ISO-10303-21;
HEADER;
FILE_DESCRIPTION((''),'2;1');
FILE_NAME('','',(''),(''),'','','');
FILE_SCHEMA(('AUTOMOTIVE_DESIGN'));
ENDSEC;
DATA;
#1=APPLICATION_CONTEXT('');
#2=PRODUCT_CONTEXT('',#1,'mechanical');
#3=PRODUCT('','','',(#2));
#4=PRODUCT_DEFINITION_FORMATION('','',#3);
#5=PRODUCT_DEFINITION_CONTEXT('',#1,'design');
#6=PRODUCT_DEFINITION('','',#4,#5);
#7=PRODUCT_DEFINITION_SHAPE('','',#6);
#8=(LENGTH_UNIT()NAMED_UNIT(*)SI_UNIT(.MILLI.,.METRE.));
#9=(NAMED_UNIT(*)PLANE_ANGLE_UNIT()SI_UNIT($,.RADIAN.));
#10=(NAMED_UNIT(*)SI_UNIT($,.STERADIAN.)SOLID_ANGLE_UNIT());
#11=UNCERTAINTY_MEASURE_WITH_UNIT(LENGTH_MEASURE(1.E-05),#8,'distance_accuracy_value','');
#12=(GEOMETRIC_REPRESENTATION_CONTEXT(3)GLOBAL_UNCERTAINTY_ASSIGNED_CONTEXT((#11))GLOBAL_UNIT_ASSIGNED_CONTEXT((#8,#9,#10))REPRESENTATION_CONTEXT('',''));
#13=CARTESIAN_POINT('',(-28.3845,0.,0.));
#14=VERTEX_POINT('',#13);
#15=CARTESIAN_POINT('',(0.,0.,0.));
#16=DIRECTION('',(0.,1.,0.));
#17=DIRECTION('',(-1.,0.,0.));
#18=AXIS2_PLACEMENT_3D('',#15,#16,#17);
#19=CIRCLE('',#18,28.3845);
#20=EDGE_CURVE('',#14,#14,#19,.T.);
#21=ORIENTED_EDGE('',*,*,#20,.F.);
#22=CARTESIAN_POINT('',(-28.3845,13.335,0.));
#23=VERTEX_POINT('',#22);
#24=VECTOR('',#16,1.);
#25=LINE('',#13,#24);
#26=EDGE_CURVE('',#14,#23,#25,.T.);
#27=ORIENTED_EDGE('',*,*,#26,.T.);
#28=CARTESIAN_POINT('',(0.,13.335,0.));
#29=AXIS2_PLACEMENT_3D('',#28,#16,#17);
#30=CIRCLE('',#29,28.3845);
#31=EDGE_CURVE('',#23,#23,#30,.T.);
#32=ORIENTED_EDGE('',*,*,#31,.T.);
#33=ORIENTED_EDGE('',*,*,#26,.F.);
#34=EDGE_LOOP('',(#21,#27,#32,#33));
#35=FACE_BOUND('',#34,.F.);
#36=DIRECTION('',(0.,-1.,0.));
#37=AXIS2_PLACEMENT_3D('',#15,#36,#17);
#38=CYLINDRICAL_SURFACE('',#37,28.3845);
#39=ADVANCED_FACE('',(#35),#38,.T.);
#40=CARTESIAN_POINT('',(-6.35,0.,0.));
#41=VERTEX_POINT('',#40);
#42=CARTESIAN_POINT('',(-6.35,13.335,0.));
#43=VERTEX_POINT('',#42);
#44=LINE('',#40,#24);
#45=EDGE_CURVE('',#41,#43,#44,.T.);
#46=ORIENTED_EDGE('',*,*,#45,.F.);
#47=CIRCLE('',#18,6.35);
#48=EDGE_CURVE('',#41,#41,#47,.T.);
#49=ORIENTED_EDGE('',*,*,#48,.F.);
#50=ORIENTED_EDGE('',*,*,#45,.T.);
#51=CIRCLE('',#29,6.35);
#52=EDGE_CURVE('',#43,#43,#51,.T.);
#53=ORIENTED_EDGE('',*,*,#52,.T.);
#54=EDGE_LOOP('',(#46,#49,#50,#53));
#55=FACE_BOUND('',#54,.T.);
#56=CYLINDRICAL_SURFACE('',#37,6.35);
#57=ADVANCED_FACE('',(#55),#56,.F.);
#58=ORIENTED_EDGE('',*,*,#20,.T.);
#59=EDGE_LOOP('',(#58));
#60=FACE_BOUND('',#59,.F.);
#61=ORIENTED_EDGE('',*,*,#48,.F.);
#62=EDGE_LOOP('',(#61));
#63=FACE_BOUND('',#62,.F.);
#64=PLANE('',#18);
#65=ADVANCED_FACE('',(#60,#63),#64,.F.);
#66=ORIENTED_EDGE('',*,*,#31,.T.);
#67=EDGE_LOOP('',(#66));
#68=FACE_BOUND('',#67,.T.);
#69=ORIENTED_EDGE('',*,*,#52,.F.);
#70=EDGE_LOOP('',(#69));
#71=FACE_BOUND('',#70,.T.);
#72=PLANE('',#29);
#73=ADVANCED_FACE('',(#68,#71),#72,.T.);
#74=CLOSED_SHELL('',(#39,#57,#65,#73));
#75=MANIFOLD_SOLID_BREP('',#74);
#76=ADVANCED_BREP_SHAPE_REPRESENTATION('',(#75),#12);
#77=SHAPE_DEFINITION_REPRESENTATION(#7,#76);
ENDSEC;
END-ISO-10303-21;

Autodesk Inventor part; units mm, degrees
ref_plane "YZ Plane" through (0, 0, 0) normal (1, 0, 0) x (0, 1, 0)
ref_plane "XZ Plane" through (0, 0, 0) normal (0, 1, 0) x (-1, 0, 0)
ref_plane "XY Plane" through (0, 0, 0) normal (0, 0, 1) x (1, 0, 0)
sketch "Sketch1" plane through (0, 0, 0) normal (0, 1, 0) x (-1, 0, 0)
  circle A0 centre (0, 0) radius 28.3845
  circle A1 centre (0, 0) radius 6.35
  dimension "d0" = 56.769
  dimension "d1" = 12.7
extrude "Extrusion1" add sketch "Sketch1" along normal blind 13.335
properties part number "Bottom"
